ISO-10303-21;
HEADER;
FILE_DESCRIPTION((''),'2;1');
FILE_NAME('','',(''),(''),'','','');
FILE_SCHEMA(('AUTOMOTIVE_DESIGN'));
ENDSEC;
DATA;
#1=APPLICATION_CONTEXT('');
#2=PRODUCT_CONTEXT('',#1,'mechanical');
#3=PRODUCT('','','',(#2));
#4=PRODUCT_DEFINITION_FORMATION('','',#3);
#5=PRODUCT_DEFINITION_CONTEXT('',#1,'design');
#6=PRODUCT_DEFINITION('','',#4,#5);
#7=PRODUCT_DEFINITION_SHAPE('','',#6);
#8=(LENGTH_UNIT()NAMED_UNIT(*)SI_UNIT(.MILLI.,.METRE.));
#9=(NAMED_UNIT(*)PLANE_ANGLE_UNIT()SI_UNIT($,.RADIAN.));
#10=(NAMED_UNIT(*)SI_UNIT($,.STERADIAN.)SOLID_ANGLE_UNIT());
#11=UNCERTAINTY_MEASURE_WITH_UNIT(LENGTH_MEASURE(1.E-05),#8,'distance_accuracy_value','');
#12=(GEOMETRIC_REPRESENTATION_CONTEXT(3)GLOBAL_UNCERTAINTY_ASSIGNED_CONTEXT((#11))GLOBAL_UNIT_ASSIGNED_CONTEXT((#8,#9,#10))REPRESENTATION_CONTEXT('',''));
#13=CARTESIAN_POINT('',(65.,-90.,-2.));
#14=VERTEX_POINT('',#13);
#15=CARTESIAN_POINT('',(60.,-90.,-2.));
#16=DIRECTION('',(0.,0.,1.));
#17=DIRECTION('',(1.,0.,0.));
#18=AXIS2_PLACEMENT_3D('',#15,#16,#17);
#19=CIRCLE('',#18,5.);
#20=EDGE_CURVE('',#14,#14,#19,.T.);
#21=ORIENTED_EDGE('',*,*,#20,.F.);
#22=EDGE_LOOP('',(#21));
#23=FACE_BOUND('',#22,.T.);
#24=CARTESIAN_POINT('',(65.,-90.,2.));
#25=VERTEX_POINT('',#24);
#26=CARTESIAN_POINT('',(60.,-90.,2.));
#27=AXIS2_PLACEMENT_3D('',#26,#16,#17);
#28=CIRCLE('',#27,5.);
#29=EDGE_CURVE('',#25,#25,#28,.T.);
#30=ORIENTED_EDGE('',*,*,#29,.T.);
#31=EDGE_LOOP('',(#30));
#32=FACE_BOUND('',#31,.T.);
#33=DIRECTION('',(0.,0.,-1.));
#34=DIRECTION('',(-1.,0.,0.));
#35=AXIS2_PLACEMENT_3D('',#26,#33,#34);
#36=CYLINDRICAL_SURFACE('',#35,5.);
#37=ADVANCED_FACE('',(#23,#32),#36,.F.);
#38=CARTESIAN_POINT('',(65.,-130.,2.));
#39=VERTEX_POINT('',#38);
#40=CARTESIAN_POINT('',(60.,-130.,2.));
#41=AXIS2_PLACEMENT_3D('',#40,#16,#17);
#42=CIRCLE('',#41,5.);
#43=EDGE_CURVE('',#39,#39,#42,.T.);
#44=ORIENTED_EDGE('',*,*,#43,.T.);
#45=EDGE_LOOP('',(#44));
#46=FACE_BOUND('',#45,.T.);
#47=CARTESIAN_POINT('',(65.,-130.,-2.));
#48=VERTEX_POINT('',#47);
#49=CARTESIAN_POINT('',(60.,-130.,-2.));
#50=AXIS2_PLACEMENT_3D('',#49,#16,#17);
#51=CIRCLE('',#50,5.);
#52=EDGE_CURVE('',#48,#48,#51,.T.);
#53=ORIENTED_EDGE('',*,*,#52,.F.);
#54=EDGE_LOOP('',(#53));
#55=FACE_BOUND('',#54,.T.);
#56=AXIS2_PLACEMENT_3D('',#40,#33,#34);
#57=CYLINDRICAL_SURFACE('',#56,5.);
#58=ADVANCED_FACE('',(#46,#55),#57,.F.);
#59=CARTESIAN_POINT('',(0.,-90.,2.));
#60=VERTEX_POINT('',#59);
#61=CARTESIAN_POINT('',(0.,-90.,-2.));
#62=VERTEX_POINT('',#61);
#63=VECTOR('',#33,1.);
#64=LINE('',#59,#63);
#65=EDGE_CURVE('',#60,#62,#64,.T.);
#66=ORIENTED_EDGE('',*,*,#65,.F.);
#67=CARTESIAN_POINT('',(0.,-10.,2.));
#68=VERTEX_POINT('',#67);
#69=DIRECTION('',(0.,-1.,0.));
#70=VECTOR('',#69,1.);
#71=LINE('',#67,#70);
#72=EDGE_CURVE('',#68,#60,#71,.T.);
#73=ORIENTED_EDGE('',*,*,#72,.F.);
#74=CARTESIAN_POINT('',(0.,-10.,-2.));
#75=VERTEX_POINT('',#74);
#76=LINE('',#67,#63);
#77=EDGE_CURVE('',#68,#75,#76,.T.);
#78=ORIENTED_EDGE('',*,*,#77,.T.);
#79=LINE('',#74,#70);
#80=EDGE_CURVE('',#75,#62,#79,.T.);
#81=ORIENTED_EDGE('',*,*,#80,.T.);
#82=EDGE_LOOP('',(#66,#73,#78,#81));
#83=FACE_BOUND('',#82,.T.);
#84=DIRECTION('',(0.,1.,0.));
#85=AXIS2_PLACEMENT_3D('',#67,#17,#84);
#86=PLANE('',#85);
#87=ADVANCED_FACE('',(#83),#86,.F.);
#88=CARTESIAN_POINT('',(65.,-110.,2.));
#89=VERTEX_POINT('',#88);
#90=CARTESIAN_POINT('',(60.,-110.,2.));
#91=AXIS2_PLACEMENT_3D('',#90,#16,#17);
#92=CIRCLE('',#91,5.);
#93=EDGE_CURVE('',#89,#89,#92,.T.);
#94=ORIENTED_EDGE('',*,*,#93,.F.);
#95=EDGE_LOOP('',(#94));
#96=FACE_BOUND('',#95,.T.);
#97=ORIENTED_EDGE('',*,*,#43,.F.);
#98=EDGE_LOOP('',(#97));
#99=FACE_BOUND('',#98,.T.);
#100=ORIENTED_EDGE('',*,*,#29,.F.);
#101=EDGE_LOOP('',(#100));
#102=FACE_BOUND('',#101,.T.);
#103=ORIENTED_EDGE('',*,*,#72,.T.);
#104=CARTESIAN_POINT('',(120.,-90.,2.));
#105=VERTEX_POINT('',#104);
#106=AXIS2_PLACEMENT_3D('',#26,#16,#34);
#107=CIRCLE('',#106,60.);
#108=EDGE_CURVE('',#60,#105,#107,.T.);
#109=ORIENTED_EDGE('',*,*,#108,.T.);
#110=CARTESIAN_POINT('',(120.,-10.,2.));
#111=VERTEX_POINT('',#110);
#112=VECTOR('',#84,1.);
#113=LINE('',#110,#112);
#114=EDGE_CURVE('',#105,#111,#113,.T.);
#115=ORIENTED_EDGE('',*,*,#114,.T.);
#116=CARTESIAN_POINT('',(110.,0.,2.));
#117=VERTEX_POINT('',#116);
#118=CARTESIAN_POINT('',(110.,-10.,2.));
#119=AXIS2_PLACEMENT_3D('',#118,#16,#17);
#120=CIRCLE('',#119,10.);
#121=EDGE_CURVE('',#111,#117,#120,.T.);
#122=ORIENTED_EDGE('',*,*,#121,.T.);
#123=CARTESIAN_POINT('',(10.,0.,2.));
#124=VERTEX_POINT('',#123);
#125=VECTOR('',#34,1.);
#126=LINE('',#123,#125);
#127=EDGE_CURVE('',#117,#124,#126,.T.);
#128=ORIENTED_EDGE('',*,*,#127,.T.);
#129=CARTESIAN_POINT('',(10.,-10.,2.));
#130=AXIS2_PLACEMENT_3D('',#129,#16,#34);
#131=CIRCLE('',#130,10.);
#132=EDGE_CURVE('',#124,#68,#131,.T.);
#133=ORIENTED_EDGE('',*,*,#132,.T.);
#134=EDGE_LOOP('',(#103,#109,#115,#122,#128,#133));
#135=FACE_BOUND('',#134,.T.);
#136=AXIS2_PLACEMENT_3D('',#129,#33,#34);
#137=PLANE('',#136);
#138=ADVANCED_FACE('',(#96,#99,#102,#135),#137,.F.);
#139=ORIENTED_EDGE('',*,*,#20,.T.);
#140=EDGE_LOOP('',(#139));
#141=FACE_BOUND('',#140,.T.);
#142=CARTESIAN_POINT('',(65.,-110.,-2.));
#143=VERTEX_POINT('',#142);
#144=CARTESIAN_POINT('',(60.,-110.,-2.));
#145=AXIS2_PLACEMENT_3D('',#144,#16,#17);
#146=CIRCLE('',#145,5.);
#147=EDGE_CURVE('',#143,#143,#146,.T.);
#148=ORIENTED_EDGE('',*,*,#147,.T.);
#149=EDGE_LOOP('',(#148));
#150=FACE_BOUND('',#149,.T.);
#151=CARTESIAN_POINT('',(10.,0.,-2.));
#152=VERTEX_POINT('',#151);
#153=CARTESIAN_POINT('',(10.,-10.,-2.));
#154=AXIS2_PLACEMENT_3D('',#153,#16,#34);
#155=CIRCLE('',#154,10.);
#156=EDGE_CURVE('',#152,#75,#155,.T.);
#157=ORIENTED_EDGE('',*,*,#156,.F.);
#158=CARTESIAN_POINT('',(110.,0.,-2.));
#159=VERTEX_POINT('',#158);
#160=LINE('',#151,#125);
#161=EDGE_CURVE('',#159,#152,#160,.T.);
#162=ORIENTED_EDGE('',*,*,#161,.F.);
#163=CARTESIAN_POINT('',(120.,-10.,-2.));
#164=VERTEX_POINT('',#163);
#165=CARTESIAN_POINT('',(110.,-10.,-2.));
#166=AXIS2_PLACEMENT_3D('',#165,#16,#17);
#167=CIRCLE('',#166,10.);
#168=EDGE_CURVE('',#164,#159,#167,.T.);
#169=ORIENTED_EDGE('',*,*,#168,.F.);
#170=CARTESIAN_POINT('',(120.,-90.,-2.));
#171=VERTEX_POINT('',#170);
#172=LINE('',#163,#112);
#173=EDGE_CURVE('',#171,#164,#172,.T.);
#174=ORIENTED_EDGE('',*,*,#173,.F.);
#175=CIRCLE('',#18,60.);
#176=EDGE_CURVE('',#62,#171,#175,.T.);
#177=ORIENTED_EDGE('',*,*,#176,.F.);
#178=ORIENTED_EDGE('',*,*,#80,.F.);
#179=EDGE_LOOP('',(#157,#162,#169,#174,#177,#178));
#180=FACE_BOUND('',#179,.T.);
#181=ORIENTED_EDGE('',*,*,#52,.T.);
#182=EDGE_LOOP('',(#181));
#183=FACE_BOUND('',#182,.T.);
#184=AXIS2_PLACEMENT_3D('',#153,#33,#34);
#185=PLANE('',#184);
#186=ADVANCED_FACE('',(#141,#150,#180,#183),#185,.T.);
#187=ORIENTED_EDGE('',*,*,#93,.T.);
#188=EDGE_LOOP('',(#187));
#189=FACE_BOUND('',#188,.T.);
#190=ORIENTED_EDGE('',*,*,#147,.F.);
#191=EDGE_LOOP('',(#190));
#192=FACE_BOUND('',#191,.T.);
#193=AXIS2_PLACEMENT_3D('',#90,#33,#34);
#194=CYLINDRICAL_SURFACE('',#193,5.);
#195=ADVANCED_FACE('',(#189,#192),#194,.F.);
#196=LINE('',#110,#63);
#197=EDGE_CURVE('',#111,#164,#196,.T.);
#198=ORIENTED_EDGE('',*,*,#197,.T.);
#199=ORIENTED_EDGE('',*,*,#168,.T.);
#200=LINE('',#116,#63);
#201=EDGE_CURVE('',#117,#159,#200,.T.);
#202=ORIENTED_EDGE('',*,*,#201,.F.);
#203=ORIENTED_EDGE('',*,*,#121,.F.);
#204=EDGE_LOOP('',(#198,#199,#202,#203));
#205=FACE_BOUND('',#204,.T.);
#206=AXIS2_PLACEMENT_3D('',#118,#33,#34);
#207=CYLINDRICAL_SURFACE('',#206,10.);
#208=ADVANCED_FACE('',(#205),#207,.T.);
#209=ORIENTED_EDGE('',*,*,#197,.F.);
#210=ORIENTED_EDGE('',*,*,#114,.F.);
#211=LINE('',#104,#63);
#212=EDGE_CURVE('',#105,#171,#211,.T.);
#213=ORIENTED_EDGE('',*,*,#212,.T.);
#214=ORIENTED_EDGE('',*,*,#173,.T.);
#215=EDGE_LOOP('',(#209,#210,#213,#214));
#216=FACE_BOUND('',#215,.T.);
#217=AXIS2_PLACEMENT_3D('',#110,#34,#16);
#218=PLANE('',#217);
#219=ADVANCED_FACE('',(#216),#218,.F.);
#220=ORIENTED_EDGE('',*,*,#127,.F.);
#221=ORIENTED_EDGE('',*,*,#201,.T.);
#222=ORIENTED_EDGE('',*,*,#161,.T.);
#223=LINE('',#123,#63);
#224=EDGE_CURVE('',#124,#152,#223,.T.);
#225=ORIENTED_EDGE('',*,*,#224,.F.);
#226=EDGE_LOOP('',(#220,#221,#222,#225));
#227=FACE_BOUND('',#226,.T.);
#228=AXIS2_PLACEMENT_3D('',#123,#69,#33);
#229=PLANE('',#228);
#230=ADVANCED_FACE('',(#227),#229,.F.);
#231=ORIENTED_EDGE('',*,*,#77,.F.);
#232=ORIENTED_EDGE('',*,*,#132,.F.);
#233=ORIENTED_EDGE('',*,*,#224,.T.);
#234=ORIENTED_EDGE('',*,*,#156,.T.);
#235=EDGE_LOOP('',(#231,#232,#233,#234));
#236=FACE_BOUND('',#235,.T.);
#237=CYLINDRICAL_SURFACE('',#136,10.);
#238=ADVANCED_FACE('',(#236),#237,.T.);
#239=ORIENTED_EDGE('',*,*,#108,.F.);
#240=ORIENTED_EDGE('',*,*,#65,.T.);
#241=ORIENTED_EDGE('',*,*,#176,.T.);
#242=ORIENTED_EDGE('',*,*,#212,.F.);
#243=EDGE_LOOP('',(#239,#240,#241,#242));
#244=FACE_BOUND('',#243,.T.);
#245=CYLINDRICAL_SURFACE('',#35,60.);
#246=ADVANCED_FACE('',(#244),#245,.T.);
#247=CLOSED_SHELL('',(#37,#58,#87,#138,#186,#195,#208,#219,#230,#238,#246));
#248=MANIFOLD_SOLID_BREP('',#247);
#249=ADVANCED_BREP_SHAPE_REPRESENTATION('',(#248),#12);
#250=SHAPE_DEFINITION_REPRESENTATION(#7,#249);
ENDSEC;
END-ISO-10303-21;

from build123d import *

# Parameters (mm, degrees)
SKETCH_1_R      = 5
EXTRUDE_1_DEPTH = 2


with BuildPart() as part:
    # 草图1 → 凸台-拉伸1 (new, symmetric)
    with BuildSketch(Plane.XY):
        with BuildLine():
            Line((10, 0), (110, 0))
            ThreePointArc((110, 0), (117.071067812, -2.928932188), (120, -10))
            Line((120, -10), (120, -90))
            ThreePointArc((120, -90), (102.426406871, -132.426406871), (60, -150))
            ThreePointArc((60, -150), (17.573593129, -132.426406871), (0, -90))
            Line((0, -90), (0, -10))
            ThreePointArc((0, -10), (2.928932188, -2.928932188), (10, 0))
        make_face()
        with Locations((60, -130)):
            Circle(SKETCH_1_R, mode=Mode.SUBTRACT)
        with Locations((60, -110)):
            Circle(SKETCH_1_R, mode=Mode.SUBTRACT)
        with Locations((60, -90)):
            Circle(SKETCH_1_R, mode=Mode.SUBTRACT)
    extrude(amount=EXTRUDE_1_DEPTH, both=True)


solid = part.part
